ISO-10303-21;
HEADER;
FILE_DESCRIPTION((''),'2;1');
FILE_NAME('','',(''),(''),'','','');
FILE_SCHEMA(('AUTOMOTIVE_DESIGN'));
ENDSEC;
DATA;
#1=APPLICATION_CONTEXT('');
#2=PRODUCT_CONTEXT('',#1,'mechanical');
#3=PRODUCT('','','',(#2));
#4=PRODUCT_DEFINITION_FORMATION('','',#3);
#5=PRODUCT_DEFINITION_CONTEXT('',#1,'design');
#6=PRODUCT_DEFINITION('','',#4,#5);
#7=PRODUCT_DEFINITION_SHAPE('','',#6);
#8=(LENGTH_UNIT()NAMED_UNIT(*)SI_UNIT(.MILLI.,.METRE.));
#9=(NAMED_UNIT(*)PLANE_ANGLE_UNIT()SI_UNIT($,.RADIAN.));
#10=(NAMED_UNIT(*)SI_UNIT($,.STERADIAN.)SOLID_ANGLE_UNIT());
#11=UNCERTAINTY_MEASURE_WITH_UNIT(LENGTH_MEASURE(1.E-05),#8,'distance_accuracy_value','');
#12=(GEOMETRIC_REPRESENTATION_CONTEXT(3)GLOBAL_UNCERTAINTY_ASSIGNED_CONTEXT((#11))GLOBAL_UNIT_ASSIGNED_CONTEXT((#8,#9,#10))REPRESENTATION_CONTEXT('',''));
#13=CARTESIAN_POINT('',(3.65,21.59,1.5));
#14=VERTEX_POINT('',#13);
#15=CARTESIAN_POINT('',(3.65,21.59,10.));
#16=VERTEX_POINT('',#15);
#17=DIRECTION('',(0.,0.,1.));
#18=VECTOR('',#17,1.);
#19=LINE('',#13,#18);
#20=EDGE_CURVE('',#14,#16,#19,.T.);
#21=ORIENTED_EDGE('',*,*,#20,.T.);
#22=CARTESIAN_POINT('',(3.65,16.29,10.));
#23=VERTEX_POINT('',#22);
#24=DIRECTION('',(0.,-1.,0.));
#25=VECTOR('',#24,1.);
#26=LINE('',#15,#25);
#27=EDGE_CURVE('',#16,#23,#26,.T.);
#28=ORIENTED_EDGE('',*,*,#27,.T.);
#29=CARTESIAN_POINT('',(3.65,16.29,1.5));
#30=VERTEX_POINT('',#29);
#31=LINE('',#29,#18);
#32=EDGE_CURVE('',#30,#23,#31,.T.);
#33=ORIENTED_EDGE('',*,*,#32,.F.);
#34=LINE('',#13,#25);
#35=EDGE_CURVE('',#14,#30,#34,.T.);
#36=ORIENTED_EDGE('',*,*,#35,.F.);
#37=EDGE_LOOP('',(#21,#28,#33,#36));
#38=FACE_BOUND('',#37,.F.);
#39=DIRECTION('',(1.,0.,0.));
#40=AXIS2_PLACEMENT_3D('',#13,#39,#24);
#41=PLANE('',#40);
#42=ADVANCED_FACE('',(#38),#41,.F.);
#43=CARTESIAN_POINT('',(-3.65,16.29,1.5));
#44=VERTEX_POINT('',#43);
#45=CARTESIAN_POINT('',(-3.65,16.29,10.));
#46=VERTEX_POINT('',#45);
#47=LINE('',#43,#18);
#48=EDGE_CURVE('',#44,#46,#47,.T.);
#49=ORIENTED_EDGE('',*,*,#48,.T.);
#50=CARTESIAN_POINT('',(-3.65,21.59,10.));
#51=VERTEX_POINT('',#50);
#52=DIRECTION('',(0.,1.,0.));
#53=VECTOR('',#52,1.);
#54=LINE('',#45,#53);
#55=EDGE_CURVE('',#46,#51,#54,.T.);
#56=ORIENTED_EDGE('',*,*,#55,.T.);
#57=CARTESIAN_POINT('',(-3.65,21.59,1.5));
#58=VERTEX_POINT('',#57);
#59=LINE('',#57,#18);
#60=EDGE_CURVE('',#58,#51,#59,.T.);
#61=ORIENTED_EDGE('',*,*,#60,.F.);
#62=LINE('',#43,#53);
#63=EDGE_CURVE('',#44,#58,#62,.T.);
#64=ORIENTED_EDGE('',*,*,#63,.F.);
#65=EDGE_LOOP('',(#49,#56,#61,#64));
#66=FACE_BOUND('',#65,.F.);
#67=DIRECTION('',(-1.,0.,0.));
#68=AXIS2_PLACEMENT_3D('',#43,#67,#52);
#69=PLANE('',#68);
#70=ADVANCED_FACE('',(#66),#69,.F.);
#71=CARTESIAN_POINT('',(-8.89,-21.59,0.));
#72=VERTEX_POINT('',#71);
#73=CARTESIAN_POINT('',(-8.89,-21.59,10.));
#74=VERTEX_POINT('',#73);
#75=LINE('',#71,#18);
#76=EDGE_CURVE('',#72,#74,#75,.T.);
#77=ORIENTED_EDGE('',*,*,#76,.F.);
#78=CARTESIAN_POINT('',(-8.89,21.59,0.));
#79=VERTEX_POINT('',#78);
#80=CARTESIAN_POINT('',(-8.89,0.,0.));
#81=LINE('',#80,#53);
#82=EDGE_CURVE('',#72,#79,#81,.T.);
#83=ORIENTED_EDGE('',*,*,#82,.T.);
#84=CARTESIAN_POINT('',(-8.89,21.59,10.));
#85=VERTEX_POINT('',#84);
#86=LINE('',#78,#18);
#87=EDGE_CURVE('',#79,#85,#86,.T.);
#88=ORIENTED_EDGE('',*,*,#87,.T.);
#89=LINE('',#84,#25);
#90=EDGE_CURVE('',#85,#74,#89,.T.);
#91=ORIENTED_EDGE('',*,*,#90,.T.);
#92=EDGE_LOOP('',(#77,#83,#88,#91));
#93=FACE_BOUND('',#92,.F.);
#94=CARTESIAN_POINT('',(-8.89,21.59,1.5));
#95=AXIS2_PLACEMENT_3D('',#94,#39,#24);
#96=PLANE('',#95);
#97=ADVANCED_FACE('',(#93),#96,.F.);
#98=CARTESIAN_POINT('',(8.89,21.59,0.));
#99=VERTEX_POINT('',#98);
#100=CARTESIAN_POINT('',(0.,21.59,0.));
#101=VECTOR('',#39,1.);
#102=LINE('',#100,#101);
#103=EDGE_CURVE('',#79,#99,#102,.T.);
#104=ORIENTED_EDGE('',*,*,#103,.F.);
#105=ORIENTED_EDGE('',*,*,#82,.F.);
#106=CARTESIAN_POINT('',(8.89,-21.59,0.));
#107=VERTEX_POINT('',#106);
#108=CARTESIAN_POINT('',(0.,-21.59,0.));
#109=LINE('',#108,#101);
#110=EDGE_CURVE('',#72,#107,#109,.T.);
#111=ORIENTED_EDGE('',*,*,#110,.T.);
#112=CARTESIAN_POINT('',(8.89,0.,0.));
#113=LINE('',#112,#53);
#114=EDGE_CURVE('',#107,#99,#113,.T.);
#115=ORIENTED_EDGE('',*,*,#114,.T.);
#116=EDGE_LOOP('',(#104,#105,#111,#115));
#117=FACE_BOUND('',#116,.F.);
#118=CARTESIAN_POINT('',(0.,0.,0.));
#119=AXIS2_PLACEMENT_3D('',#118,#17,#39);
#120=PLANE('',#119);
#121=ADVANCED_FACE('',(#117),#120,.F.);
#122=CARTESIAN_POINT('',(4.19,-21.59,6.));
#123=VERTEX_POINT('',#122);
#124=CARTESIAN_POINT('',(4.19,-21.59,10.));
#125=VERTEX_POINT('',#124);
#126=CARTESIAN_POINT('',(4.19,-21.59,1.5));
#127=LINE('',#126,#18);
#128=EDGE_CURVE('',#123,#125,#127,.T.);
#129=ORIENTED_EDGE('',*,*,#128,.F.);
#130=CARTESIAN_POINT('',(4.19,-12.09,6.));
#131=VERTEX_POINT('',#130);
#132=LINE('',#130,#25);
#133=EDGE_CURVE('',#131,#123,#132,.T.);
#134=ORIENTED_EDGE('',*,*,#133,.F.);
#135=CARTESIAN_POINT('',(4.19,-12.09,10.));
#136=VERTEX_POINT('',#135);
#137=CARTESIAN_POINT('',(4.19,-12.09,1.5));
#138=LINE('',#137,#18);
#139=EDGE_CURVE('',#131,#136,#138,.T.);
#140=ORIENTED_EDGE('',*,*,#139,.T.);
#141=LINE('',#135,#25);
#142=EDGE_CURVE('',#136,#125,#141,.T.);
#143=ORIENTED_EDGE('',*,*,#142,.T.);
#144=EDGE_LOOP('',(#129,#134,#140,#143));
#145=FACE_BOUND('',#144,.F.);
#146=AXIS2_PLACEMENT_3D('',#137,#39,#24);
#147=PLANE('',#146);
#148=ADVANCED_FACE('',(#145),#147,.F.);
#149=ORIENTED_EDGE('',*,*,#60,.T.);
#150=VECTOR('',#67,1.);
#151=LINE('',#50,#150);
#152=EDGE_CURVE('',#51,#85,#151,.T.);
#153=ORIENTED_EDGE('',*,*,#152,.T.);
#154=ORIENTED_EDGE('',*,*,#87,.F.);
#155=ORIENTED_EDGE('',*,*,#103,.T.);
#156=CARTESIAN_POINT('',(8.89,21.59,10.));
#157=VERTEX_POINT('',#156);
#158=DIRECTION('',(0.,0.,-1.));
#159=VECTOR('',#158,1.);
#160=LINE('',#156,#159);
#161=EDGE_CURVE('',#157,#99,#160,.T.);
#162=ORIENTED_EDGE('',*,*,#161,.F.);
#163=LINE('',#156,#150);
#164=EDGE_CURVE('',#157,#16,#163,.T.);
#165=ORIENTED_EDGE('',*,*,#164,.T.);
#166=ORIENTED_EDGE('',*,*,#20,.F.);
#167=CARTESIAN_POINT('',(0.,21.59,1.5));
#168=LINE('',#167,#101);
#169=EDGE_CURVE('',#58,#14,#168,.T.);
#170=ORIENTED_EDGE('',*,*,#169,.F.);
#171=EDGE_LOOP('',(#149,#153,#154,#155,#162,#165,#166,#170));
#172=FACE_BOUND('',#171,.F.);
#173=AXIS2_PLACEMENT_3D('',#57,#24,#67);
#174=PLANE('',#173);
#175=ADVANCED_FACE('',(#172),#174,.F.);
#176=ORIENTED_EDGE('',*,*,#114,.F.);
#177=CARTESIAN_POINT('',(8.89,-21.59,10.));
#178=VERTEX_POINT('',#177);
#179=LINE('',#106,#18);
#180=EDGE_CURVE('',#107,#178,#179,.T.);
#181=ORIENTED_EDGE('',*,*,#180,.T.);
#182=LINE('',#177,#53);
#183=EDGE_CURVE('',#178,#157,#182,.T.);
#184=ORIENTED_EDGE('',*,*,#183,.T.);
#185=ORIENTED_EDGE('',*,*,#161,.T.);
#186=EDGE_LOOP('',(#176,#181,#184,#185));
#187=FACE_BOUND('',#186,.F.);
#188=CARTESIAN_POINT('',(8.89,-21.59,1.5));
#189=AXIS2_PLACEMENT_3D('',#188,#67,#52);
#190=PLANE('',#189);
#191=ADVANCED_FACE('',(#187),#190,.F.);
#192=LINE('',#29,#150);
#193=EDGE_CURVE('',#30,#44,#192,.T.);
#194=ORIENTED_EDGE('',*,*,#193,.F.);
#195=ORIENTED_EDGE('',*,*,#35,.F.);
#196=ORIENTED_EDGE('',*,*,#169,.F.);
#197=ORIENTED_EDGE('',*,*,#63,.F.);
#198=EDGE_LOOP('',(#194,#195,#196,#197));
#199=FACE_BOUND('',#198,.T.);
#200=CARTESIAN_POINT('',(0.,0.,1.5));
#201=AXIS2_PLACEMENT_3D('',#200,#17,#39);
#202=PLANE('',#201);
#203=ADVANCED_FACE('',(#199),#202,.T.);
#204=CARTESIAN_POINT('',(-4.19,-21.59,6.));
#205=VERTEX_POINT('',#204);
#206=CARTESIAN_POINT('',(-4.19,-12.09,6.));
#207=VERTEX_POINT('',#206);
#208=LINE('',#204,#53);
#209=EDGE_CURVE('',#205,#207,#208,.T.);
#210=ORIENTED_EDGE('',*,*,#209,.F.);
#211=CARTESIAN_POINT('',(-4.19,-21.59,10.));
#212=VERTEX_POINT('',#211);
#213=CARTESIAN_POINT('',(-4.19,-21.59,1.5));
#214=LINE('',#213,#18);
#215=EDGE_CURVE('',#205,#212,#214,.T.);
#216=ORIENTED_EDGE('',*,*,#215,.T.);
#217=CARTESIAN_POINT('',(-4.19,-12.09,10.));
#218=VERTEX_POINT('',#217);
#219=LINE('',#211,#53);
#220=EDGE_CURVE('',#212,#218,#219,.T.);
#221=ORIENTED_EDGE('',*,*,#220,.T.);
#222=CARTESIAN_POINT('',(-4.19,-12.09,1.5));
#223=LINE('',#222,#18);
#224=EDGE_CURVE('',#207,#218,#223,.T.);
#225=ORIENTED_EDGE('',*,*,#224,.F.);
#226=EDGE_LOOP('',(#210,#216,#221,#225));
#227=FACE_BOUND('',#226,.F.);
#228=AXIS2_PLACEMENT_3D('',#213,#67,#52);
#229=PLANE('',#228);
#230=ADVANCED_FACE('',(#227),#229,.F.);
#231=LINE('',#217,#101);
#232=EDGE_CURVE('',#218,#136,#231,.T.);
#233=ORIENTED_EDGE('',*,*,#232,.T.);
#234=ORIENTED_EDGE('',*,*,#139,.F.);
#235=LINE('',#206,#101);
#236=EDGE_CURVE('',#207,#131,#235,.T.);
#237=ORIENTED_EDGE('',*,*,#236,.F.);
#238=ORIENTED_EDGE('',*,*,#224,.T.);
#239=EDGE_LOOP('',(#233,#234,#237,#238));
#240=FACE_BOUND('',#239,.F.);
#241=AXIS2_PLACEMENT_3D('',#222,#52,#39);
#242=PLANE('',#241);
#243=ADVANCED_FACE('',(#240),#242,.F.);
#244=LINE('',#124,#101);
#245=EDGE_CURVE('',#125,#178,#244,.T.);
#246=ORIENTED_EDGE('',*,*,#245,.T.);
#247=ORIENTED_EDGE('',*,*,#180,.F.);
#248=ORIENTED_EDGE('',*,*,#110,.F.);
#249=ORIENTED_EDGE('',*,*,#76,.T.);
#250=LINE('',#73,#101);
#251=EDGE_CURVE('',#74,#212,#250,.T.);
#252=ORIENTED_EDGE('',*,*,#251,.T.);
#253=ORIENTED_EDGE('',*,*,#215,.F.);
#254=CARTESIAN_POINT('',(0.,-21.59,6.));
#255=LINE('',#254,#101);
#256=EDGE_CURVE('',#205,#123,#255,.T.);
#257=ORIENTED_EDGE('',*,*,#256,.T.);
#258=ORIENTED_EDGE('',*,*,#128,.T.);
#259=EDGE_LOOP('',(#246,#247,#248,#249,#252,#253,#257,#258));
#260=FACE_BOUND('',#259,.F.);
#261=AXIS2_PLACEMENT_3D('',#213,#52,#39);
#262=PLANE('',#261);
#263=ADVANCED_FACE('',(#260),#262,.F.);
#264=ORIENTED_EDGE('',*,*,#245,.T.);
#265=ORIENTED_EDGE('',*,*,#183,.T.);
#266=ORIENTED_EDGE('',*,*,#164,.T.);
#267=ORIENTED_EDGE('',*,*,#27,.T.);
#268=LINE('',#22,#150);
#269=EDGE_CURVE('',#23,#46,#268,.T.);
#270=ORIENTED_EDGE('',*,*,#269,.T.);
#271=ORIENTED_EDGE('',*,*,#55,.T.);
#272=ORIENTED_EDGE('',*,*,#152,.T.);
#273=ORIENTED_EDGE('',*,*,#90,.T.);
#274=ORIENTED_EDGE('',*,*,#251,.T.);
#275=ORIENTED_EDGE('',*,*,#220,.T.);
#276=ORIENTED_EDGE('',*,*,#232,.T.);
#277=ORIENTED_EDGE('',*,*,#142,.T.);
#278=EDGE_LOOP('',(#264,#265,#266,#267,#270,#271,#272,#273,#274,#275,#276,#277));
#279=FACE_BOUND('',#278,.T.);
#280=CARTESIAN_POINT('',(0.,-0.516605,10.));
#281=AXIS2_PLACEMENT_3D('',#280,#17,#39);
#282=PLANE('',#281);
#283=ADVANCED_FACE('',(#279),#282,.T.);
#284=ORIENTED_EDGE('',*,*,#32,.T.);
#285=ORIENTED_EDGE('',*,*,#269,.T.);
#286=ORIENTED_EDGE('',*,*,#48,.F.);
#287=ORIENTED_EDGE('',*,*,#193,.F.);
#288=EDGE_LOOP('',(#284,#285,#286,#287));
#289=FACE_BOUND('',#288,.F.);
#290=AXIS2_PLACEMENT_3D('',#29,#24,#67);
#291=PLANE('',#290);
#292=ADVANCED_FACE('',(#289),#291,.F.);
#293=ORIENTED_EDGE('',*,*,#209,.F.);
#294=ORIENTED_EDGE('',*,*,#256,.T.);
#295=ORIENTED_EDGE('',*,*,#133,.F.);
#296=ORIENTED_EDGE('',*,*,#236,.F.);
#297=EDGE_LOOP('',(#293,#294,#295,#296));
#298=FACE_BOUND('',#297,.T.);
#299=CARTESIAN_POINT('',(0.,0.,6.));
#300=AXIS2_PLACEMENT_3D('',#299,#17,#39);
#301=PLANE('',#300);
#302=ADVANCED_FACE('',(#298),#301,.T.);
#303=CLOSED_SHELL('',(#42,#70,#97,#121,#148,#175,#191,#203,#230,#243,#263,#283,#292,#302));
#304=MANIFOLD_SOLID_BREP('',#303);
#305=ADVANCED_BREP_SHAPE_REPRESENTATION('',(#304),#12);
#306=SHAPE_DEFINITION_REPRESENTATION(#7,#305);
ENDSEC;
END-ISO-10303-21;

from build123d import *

# Parameters (mm, degrees)
F0_W     = 17.78
F0_H     = 43.18
F1_DEPTH = 1.5
F3_DEPTH = 8.5
F4_DEPTH = 4.5


with BuildPart() as f1:
    # F0 (on Top) → F1 (new body)
    with BuildSketch(Plane.XY):
        Rectangle(F0_W, F0_H)
    extrude(amount=F1_DEPTH)

    # F2 (on face) → F3 (join)
    with BuildSketch(Plane.XY.offset(1.5)):
        Polygon((-3.65, 16.29), (-3.65, 21.59), (-8.89, 21.59), (-8.89, -21.59), (-4.19, -21.59), (-4.19, -12.09), (4.19, -12.09), (4.19, -21.59), (8.89, -21.59), (8.89, 21.59), (3.65, 21.59), (3.65, 16.29), align=None)
    extrude(amount=F3_DEPTH)

    # F4 (add): a face of the model
    f4_faces = [f1.faces().sort_by_distance(p)[0] for p in [
        (0, -16.84, 1.5),
    ]]
    extrude(f4_faces, amount=F4_DEPTH)


solid = f1.part
